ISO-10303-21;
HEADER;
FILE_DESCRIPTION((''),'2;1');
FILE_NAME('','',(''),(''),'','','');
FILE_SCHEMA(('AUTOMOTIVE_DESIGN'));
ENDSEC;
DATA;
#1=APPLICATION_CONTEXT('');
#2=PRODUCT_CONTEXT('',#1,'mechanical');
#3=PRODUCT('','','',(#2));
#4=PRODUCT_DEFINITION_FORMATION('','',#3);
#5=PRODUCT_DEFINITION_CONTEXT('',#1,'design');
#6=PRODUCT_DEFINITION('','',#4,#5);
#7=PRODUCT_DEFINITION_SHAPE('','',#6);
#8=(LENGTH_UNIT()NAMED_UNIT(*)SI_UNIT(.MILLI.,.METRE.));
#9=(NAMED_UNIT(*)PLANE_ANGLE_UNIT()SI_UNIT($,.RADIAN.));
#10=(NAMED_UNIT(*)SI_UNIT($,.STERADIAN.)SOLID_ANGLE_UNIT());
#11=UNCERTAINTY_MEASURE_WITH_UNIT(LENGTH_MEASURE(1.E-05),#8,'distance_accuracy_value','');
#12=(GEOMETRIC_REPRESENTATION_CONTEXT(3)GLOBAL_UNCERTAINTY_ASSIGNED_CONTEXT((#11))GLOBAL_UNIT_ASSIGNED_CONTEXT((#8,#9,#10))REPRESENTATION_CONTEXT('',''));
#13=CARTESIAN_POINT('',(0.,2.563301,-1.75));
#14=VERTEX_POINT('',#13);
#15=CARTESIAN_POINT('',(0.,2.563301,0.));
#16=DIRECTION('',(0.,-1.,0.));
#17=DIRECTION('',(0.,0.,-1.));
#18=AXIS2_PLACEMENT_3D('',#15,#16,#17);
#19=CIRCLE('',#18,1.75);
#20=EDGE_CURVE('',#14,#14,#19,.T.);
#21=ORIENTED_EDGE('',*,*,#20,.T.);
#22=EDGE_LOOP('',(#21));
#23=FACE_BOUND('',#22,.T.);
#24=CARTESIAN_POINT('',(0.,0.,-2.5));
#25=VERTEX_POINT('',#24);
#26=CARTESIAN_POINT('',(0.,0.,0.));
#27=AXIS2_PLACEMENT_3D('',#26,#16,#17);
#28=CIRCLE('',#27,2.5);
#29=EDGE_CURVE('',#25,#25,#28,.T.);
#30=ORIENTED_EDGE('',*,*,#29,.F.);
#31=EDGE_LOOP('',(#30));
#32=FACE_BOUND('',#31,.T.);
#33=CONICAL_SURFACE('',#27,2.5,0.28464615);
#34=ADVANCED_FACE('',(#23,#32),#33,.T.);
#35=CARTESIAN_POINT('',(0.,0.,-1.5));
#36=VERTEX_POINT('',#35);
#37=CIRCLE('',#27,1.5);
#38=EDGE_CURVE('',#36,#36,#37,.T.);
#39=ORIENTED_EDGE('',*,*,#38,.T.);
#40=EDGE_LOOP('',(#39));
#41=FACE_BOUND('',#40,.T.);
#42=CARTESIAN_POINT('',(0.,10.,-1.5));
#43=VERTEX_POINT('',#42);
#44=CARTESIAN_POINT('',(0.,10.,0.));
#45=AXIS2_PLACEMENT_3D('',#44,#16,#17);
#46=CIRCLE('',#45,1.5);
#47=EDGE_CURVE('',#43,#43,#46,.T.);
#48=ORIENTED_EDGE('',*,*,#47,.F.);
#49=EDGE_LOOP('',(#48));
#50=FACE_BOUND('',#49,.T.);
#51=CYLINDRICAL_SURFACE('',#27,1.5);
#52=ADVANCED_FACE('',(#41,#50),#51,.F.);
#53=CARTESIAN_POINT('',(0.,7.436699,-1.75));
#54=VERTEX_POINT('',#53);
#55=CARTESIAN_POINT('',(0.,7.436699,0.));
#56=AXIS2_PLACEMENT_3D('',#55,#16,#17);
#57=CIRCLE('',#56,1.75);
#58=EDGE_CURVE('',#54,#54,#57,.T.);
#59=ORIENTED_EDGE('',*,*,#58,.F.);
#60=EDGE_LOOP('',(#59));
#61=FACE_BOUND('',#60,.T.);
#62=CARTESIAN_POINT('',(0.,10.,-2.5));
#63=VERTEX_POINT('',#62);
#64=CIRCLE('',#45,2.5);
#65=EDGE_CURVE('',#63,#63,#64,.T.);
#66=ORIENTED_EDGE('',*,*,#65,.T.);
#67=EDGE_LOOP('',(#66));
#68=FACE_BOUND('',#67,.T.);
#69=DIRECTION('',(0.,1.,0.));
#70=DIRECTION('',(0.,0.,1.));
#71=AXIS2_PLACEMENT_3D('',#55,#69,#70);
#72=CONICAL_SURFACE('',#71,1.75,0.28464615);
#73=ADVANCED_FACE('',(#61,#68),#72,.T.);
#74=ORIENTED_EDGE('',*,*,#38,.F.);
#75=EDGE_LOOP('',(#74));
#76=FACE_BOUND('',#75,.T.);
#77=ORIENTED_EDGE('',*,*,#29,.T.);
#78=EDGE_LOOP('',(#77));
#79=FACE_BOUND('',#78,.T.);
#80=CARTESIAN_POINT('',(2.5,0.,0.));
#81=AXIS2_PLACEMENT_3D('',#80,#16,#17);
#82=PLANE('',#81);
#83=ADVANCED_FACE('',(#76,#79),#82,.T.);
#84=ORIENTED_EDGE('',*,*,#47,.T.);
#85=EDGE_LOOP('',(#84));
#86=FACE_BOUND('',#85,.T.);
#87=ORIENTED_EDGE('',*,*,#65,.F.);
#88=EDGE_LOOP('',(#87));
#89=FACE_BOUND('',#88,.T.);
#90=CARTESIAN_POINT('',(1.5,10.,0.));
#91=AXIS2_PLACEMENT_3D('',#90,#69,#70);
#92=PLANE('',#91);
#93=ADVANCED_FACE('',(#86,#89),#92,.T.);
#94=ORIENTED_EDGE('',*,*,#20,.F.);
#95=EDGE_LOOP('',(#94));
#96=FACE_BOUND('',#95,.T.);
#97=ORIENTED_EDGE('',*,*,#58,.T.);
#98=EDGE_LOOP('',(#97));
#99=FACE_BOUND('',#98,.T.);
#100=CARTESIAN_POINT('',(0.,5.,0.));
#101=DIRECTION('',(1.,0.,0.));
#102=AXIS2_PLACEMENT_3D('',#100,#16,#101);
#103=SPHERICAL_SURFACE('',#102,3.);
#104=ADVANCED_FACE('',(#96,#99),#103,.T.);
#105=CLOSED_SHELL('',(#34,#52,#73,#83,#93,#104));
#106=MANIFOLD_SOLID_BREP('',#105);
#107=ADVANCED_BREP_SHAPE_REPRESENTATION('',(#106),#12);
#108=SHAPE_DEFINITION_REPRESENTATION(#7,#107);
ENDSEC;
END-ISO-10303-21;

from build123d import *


with BuildPart() as part:
    # Sketch1 → Revolve1 (revolve)
    with BuildSketch(Plane.XY):
        with BuildLine():
            Line((2.5, 0), (1.5, 0))
            Line((1.5, 0), (1.5, 10))
            Line((1.5, 10), (2.5, 10))
            Line((2.5, 10), (1.75, 7.436698586))
            ThreePointArc((1.75, 7.436698586), (3, 5), (1.75, 2.563301414))
            Line((1.75, 2.563301414), (2.5, 0))
        make_face()
    revolve(axis=Axis((0, 0, 0), (0, 1, 0)))


solid = part.part
